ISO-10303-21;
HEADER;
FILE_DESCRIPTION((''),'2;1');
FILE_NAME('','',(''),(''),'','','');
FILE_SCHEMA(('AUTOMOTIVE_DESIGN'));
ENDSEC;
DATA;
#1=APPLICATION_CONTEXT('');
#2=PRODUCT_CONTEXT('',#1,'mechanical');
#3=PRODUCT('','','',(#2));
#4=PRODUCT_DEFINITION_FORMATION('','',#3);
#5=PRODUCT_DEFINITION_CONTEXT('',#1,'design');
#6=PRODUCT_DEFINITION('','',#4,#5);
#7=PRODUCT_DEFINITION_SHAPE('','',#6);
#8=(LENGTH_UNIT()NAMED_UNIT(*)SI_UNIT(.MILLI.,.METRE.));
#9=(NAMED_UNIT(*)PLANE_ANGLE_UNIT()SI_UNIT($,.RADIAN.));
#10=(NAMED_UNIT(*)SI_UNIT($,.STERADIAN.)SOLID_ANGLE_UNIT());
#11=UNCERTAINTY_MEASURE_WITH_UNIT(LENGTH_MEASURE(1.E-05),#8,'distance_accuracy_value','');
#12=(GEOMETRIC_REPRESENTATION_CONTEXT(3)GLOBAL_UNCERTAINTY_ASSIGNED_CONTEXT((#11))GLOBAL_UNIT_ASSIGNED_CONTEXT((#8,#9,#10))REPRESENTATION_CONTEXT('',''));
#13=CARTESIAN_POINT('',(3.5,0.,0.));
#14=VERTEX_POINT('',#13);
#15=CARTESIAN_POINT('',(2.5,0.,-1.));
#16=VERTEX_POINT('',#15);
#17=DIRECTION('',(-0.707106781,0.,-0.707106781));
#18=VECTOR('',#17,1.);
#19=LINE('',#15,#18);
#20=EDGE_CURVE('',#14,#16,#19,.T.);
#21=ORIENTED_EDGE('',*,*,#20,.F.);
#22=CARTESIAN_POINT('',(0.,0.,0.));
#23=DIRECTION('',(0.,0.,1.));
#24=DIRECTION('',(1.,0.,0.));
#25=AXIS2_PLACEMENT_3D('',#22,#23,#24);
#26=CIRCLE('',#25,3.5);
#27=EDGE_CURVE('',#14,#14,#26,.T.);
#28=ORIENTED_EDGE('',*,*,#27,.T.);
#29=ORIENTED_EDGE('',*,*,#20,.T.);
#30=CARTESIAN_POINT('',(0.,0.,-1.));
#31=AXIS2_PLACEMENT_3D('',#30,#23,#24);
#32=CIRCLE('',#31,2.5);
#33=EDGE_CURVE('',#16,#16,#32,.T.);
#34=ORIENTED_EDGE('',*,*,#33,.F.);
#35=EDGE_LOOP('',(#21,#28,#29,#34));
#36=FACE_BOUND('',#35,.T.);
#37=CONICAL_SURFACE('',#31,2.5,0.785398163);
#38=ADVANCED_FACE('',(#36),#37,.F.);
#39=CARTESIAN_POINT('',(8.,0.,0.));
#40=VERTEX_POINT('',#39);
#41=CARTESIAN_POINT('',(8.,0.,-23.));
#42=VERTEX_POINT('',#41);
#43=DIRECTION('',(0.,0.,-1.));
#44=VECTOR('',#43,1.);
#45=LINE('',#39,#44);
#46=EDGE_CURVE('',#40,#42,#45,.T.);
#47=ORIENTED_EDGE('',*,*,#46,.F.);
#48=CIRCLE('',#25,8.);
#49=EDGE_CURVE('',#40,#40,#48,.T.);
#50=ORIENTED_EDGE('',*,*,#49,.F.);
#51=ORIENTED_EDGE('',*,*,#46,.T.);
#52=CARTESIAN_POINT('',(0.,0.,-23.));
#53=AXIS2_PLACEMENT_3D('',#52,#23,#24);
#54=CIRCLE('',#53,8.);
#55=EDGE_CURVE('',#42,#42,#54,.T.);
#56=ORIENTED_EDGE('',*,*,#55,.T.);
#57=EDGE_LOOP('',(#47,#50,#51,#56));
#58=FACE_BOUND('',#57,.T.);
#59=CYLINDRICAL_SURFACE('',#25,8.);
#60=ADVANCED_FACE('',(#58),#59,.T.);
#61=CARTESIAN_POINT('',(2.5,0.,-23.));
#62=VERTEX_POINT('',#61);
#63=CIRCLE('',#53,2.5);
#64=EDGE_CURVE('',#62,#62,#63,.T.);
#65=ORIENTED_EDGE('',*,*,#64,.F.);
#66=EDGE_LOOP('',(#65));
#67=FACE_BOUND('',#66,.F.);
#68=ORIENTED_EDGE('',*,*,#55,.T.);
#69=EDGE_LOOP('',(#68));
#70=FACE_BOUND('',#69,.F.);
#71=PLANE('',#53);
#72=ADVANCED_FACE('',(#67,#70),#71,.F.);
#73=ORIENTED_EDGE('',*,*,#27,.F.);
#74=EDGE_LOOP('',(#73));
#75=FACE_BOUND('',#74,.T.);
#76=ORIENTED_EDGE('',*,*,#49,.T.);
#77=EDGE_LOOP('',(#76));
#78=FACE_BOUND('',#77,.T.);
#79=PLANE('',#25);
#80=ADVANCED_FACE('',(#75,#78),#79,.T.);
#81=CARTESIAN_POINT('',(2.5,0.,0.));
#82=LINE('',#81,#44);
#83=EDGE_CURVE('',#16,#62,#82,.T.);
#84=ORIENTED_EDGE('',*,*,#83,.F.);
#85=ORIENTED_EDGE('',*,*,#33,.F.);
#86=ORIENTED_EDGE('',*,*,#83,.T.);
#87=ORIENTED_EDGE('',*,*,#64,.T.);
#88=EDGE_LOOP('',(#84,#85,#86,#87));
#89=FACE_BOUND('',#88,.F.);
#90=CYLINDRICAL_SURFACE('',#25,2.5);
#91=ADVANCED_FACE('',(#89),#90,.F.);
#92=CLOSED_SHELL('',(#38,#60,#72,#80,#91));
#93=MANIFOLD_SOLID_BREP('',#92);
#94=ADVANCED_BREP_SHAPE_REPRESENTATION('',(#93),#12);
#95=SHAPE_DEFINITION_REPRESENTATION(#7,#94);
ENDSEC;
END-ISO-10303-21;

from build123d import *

# Parameters (mm, degrees)
F0_R     = 8
F1_DEPTH = 23
F2_T     = -5.5
F3_SIZE  = 1


with BuildPart() as f1:
    # F0 (on Top) → F1 (new body)
    with BuildSketch(Plane.XY):
        Circle(F0_R)
    extrude(amount=-F1_DEPTH)

    # F2
    f2_openings = [f1.faces().sort_by_distance(p)[0] for p in [
        (0, 0, 0),
        (0, 0, -23),
    ]]
    offset(amount=F2_T, openings=f2_openings)

    # F3
    f3_edges = [f1.edges().sort_by_distance(p)[0] for p in [
        (-2.5, 0, 0),
    ]]
    chamfer(f3_edges, length=F3_SIZE)


solid = f1.part
